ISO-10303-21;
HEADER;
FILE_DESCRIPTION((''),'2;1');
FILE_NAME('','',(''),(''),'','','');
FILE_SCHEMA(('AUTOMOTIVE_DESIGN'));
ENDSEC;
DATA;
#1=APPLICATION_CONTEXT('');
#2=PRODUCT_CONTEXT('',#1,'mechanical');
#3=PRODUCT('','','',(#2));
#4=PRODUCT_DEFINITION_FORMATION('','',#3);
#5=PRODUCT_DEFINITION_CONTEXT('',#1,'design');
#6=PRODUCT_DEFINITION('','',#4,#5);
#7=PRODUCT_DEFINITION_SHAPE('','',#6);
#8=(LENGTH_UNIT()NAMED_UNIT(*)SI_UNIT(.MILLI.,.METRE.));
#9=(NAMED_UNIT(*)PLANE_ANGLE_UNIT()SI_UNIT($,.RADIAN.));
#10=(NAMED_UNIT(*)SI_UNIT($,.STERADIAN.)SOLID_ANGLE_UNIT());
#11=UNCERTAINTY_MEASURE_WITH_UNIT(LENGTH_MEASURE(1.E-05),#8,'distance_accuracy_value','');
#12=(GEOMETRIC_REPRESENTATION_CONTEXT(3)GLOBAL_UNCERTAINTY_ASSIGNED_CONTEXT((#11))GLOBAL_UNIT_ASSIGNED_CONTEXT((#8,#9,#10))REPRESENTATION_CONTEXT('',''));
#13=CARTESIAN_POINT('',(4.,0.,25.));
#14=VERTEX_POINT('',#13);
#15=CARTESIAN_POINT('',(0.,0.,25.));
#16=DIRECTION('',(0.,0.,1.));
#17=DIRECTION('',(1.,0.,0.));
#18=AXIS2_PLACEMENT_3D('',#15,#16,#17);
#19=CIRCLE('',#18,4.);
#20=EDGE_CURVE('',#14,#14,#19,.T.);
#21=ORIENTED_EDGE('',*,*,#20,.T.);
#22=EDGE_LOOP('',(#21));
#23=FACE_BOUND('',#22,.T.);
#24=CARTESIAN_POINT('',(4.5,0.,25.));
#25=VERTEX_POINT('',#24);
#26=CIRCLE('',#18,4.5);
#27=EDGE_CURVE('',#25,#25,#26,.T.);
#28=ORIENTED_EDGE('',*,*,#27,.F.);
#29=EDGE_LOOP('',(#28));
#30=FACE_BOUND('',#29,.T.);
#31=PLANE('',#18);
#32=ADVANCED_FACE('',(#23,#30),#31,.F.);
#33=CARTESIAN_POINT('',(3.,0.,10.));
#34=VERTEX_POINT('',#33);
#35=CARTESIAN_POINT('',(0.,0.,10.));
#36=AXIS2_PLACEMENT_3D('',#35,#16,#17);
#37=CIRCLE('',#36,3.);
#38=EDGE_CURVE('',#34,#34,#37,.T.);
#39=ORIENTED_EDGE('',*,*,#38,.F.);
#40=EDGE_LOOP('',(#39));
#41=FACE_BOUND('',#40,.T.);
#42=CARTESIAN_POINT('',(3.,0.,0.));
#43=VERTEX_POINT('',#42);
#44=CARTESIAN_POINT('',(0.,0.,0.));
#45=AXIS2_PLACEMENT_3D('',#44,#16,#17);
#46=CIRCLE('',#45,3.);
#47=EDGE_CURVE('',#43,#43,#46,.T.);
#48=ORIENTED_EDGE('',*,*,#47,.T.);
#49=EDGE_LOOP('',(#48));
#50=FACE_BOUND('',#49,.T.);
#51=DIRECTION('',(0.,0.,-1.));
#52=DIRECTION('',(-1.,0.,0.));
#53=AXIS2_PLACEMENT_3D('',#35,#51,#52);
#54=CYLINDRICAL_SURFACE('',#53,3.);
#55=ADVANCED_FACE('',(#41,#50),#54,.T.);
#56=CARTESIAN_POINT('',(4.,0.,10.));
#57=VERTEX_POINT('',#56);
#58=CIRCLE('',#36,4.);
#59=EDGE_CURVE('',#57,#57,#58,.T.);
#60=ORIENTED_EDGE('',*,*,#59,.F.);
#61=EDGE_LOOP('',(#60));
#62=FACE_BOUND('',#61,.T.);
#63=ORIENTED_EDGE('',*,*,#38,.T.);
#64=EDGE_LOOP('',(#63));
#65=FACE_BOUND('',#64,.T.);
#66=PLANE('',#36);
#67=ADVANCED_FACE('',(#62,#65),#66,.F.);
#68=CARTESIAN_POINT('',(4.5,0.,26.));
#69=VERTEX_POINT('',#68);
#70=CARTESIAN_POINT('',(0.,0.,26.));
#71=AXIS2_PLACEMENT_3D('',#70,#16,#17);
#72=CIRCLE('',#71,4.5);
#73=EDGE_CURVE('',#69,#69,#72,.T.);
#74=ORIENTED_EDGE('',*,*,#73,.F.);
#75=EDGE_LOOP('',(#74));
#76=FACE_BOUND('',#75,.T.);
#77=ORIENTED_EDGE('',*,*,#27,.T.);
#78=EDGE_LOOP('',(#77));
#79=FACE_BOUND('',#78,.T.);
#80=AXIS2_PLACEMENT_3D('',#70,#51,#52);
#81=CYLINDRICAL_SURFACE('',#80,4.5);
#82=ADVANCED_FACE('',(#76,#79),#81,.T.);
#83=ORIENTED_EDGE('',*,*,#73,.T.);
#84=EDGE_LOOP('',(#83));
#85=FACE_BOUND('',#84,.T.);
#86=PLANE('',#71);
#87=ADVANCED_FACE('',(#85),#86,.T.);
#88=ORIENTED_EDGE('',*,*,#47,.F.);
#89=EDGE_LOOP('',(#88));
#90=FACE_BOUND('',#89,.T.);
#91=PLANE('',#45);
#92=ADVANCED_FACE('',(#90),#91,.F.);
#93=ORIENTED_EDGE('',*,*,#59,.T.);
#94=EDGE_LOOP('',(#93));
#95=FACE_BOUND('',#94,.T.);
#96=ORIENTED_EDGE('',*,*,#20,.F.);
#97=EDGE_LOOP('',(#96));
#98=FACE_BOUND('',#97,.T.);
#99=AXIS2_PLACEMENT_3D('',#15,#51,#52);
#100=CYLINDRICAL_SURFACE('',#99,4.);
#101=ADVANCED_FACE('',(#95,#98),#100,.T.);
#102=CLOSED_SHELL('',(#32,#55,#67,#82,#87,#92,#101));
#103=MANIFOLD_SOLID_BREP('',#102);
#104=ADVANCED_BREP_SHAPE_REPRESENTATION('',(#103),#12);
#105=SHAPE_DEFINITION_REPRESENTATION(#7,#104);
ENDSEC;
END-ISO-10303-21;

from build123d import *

# Parameters (mm, degrees)
SKETCH_1_R      = 3
EXTRUDE_1_DEPTH = 10
SKETCH_2_R      = 4
EXTRUDE_2_DEPTH = 15
SKETCH_3_R      = 4.5
EXTRUDE_3_DEPTH = 1


with BuildPart() as part:
    # 草图1 → 凸台-拉伸1 (new body)
    with BuildSketch(Plane.XY):
        Circle(SKETCH_1_R)
    extrude(amount=EXTRUDE_1_DEPTH)

    # 草图2 → 凸台-拉伸2 (add)
    with BuildSketch(Plane.XY.offset(10)):
        Circle(SKETCH_2_R)
    extrude(amount=EXTRUDE_2_DEPTH)

    # 草图3 → 凸台-拉伸3 (add)
    with BuildSketch(Plane.XY.offset(25)):
        Circle(SKETCH_3_R)
    extrude(amount=EXTRUDE_3_DEPTH)


solid = part.part
